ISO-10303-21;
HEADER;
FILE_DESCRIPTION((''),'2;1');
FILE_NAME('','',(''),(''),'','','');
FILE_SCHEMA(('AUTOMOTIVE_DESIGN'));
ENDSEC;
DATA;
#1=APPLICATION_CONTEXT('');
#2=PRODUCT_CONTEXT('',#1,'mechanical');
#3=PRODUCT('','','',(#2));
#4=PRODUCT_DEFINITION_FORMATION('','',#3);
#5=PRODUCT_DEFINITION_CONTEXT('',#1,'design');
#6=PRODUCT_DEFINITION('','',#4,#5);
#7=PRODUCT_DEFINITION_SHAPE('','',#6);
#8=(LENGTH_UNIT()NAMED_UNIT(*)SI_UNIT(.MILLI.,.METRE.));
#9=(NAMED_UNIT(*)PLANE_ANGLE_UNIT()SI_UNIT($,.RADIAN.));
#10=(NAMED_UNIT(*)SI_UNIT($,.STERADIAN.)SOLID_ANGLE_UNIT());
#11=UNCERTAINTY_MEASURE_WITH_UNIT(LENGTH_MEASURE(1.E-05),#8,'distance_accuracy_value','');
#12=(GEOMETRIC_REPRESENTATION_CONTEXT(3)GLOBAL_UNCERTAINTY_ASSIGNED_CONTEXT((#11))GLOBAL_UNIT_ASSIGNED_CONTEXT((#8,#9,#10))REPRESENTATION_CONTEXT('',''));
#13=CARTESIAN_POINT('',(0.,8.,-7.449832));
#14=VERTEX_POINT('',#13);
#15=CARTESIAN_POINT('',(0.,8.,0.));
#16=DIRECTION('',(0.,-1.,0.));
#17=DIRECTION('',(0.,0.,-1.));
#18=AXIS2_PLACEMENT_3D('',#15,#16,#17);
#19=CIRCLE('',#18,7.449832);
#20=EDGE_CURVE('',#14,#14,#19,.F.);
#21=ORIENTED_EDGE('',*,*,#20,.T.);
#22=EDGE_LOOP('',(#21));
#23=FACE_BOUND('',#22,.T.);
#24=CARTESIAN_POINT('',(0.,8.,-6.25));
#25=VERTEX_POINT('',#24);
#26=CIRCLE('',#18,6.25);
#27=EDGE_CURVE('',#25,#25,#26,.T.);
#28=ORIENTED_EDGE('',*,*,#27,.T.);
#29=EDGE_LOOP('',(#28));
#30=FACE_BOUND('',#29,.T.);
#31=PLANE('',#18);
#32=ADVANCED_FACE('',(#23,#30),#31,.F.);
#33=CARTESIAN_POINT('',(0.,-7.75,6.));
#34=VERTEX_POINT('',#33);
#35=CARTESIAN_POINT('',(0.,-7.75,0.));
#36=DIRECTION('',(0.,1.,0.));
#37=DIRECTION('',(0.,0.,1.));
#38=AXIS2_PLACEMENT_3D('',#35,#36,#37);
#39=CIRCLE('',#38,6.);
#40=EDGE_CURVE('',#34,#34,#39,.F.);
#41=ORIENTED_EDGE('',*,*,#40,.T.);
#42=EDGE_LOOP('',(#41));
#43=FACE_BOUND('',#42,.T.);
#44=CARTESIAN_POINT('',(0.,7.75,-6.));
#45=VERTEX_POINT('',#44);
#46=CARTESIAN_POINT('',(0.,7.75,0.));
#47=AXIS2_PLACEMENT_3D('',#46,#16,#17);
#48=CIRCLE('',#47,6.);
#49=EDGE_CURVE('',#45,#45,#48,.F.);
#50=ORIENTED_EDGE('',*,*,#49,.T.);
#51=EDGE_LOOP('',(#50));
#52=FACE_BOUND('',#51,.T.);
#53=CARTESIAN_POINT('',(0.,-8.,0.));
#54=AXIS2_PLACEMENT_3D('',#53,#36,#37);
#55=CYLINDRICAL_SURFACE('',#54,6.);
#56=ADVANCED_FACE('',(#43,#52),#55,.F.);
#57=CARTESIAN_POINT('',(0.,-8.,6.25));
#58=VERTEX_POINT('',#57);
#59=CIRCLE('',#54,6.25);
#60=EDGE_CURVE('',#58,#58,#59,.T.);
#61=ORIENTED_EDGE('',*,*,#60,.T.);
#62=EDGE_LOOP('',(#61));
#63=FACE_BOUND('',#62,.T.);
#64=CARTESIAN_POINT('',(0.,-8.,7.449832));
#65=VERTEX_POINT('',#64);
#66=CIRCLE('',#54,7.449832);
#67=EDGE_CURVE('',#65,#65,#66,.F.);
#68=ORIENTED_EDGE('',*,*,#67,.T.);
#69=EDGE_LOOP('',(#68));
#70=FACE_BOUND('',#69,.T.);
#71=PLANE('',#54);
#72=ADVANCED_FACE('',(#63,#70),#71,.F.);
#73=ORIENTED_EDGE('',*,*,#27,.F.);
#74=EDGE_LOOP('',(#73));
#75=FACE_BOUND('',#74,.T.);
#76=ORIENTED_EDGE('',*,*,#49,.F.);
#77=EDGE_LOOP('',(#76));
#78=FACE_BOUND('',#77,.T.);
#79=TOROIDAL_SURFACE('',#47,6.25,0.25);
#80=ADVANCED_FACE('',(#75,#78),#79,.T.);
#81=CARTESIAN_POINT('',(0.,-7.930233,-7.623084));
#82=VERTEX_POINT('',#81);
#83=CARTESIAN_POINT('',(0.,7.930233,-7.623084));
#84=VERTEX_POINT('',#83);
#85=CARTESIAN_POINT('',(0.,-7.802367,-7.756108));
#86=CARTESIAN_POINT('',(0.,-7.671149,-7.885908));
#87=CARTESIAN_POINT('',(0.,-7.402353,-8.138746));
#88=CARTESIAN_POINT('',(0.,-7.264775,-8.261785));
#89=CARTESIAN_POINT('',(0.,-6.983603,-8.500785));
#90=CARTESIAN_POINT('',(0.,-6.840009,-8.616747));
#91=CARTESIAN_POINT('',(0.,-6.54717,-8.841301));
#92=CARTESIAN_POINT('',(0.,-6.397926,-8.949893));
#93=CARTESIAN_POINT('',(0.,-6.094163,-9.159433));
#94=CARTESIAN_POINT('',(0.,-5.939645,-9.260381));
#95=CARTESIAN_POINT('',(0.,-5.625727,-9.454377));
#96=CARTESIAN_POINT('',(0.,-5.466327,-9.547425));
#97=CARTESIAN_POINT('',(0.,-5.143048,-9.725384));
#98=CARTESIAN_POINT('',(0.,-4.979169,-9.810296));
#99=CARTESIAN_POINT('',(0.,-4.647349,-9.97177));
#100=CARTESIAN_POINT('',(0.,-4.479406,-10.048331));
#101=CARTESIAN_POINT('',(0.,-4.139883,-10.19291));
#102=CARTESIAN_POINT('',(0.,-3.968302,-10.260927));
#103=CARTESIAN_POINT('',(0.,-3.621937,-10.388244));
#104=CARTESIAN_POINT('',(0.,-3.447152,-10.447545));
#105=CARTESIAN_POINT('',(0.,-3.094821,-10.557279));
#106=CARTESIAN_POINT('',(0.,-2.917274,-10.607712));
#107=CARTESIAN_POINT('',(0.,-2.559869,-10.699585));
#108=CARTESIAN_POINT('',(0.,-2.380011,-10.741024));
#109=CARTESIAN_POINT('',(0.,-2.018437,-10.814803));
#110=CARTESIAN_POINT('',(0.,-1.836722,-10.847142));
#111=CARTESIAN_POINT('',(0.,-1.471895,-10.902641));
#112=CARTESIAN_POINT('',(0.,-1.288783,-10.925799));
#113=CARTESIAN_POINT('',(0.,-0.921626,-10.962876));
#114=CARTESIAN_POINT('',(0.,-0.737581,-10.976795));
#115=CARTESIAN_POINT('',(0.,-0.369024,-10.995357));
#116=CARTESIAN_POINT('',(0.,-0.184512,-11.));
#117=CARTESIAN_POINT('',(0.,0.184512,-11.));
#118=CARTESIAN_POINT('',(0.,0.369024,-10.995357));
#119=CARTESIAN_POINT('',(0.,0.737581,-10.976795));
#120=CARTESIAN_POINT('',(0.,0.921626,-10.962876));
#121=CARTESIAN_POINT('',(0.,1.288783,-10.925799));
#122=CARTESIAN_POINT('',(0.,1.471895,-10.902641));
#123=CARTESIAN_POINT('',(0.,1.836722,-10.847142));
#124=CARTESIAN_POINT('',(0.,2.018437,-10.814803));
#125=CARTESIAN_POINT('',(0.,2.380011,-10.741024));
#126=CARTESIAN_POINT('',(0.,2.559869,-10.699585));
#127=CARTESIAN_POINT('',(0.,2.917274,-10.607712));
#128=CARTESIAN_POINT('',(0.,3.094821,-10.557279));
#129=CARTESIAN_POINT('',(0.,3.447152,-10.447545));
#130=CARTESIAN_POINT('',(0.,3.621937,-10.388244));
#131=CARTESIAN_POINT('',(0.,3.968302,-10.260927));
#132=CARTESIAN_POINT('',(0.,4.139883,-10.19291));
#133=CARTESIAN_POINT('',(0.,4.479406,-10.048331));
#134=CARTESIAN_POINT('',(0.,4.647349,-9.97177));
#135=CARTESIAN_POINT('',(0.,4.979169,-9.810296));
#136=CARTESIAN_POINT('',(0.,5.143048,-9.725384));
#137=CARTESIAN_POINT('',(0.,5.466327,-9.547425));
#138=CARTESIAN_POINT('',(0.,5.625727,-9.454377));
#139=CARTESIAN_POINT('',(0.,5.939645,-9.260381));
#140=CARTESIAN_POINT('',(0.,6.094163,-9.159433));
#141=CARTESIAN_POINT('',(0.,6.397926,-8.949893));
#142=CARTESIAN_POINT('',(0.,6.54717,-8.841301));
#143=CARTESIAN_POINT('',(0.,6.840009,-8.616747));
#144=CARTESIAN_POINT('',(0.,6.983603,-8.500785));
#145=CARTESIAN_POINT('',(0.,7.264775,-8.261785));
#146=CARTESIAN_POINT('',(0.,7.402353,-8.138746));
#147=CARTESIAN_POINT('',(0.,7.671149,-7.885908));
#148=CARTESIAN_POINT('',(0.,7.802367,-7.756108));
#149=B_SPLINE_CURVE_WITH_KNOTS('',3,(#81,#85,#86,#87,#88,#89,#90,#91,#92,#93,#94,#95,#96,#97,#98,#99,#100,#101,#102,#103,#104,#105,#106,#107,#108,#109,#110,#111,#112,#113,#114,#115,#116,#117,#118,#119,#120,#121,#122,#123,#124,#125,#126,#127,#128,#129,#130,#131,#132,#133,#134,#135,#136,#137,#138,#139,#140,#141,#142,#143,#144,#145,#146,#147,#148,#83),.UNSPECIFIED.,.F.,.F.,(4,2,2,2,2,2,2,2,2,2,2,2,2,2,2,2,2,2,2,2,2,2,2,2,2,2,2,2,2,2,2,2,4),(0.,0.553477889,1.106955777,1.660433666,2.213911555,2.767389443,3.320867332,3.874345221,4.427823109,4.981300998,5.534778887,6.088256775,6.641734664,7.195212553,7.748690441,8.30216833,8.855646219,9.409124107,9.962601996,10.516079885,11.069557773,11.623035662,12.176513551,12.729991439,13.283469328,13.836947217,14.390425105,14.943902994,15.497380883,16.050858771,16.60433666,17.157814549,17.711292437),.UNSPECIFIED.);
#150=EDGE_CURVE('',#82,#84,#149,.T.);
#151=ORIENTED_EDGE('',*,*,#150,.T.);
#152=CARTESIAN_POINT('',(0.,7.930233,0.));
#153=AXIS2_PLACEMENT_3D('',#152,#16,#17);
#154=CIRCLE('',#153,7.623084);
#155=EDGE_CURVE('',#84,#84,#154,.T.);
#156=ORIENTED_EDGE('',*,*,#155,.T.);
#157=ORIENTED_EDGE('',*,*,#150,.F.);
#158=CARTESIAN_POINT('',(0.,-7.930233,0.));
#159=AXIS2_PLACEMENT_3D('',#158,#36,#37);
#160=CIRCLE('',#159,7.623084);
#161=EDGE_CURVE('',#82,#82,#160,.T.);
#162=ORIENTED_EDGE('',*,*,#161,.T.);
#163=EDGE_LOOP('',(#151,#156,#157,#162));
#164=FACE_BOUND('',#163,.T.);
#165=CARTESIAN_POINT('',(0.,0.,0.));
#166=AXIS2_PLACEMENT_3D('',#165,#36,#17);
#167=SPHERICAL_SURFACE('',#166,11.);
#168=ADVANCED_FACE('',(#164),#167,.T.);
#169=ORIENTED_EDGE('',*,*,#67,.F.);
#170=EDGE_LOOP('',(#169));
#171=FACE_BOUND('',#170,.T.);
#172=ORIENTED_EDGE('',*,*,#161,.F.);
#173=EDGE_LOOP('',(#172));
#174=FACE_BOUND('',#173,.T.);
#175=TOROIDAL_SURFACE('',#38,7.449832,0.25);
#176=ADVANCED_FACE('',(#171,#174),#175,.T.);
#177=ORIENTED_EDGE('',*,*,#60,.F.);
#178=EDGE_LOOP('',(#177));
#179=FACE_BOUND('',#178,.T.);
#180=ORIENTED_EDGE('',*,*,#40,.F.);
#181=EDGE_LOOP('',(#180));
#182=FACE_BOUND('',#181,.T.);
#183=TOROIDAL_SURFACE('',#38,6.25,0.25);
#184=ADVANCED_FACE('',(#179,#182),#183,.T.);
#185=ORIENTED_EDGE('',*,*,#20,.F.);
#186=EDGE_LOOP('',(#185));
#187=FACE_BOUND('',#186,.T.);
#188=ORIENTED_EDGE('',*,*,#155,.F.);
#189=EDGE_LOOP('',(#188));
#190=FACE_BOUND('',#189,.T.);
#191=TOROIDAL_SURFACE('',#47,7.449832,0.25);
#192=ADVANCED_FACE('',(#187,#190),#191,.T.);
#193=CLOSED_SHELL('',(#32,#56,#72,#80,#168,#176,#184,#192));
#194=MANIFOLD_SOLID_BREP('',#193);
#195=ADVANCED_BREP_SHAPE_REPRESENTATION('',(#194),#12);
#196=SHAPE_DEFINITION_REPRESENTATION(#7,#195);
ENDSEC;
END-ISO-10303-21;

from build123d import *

# Parameters (mm, degrees)
SKETCH2_R          = 6
CUT_EXTRUDE1_DEPTH = 23.315913604
FILLET1_R          = 0.25


with BuildPart() as part:
    # Sketch1 → Revolve2 (revolve)
    with BuildSketch(Plane(origin=(0, 0, 0), x_dir=(0, 0, -1), z_dir=(1, 0, 0))):
        with BuildLine():
            Line((0, -8), (7.549834435, -8))
            ThreePointArc((7.549834435, -8), (11, 0), (7.549834435, 8))
            Line((7.549834435, 8), (0, 8))
            Line((0, 8), (0, -8))
        make_face()
    revolve(axis=Axis((0, 11, 0), (0, -1, 0)))

    # Sketch2 → Cut-Extrude1 (cut, through all)
    with BuildSketch(Plane(origin=(0, 8, 0), x_dir=(1, 0, 0), z_dir=(0, 1, 0))):
        with Locations(Location((0, 0, 0), (0, 0, 270))):
            Circle(SKETCH2_R)
    extrude(amount=-CUT_EXTRUDE1_DEPTH, mode=Mode.SUBTRACT)

    # Fillet1
    fillet1_edges = [part.edges().sort_by_distance(p)[0] for p in [
        (0, -8, -6),
        (0, 8, -6),
        (0, -8, 7.549834435),
        (0, 8, 7.549834435),
    ]]
    fillet(fillet1_edges, radius=FILLET1_R)


solid = part.part
